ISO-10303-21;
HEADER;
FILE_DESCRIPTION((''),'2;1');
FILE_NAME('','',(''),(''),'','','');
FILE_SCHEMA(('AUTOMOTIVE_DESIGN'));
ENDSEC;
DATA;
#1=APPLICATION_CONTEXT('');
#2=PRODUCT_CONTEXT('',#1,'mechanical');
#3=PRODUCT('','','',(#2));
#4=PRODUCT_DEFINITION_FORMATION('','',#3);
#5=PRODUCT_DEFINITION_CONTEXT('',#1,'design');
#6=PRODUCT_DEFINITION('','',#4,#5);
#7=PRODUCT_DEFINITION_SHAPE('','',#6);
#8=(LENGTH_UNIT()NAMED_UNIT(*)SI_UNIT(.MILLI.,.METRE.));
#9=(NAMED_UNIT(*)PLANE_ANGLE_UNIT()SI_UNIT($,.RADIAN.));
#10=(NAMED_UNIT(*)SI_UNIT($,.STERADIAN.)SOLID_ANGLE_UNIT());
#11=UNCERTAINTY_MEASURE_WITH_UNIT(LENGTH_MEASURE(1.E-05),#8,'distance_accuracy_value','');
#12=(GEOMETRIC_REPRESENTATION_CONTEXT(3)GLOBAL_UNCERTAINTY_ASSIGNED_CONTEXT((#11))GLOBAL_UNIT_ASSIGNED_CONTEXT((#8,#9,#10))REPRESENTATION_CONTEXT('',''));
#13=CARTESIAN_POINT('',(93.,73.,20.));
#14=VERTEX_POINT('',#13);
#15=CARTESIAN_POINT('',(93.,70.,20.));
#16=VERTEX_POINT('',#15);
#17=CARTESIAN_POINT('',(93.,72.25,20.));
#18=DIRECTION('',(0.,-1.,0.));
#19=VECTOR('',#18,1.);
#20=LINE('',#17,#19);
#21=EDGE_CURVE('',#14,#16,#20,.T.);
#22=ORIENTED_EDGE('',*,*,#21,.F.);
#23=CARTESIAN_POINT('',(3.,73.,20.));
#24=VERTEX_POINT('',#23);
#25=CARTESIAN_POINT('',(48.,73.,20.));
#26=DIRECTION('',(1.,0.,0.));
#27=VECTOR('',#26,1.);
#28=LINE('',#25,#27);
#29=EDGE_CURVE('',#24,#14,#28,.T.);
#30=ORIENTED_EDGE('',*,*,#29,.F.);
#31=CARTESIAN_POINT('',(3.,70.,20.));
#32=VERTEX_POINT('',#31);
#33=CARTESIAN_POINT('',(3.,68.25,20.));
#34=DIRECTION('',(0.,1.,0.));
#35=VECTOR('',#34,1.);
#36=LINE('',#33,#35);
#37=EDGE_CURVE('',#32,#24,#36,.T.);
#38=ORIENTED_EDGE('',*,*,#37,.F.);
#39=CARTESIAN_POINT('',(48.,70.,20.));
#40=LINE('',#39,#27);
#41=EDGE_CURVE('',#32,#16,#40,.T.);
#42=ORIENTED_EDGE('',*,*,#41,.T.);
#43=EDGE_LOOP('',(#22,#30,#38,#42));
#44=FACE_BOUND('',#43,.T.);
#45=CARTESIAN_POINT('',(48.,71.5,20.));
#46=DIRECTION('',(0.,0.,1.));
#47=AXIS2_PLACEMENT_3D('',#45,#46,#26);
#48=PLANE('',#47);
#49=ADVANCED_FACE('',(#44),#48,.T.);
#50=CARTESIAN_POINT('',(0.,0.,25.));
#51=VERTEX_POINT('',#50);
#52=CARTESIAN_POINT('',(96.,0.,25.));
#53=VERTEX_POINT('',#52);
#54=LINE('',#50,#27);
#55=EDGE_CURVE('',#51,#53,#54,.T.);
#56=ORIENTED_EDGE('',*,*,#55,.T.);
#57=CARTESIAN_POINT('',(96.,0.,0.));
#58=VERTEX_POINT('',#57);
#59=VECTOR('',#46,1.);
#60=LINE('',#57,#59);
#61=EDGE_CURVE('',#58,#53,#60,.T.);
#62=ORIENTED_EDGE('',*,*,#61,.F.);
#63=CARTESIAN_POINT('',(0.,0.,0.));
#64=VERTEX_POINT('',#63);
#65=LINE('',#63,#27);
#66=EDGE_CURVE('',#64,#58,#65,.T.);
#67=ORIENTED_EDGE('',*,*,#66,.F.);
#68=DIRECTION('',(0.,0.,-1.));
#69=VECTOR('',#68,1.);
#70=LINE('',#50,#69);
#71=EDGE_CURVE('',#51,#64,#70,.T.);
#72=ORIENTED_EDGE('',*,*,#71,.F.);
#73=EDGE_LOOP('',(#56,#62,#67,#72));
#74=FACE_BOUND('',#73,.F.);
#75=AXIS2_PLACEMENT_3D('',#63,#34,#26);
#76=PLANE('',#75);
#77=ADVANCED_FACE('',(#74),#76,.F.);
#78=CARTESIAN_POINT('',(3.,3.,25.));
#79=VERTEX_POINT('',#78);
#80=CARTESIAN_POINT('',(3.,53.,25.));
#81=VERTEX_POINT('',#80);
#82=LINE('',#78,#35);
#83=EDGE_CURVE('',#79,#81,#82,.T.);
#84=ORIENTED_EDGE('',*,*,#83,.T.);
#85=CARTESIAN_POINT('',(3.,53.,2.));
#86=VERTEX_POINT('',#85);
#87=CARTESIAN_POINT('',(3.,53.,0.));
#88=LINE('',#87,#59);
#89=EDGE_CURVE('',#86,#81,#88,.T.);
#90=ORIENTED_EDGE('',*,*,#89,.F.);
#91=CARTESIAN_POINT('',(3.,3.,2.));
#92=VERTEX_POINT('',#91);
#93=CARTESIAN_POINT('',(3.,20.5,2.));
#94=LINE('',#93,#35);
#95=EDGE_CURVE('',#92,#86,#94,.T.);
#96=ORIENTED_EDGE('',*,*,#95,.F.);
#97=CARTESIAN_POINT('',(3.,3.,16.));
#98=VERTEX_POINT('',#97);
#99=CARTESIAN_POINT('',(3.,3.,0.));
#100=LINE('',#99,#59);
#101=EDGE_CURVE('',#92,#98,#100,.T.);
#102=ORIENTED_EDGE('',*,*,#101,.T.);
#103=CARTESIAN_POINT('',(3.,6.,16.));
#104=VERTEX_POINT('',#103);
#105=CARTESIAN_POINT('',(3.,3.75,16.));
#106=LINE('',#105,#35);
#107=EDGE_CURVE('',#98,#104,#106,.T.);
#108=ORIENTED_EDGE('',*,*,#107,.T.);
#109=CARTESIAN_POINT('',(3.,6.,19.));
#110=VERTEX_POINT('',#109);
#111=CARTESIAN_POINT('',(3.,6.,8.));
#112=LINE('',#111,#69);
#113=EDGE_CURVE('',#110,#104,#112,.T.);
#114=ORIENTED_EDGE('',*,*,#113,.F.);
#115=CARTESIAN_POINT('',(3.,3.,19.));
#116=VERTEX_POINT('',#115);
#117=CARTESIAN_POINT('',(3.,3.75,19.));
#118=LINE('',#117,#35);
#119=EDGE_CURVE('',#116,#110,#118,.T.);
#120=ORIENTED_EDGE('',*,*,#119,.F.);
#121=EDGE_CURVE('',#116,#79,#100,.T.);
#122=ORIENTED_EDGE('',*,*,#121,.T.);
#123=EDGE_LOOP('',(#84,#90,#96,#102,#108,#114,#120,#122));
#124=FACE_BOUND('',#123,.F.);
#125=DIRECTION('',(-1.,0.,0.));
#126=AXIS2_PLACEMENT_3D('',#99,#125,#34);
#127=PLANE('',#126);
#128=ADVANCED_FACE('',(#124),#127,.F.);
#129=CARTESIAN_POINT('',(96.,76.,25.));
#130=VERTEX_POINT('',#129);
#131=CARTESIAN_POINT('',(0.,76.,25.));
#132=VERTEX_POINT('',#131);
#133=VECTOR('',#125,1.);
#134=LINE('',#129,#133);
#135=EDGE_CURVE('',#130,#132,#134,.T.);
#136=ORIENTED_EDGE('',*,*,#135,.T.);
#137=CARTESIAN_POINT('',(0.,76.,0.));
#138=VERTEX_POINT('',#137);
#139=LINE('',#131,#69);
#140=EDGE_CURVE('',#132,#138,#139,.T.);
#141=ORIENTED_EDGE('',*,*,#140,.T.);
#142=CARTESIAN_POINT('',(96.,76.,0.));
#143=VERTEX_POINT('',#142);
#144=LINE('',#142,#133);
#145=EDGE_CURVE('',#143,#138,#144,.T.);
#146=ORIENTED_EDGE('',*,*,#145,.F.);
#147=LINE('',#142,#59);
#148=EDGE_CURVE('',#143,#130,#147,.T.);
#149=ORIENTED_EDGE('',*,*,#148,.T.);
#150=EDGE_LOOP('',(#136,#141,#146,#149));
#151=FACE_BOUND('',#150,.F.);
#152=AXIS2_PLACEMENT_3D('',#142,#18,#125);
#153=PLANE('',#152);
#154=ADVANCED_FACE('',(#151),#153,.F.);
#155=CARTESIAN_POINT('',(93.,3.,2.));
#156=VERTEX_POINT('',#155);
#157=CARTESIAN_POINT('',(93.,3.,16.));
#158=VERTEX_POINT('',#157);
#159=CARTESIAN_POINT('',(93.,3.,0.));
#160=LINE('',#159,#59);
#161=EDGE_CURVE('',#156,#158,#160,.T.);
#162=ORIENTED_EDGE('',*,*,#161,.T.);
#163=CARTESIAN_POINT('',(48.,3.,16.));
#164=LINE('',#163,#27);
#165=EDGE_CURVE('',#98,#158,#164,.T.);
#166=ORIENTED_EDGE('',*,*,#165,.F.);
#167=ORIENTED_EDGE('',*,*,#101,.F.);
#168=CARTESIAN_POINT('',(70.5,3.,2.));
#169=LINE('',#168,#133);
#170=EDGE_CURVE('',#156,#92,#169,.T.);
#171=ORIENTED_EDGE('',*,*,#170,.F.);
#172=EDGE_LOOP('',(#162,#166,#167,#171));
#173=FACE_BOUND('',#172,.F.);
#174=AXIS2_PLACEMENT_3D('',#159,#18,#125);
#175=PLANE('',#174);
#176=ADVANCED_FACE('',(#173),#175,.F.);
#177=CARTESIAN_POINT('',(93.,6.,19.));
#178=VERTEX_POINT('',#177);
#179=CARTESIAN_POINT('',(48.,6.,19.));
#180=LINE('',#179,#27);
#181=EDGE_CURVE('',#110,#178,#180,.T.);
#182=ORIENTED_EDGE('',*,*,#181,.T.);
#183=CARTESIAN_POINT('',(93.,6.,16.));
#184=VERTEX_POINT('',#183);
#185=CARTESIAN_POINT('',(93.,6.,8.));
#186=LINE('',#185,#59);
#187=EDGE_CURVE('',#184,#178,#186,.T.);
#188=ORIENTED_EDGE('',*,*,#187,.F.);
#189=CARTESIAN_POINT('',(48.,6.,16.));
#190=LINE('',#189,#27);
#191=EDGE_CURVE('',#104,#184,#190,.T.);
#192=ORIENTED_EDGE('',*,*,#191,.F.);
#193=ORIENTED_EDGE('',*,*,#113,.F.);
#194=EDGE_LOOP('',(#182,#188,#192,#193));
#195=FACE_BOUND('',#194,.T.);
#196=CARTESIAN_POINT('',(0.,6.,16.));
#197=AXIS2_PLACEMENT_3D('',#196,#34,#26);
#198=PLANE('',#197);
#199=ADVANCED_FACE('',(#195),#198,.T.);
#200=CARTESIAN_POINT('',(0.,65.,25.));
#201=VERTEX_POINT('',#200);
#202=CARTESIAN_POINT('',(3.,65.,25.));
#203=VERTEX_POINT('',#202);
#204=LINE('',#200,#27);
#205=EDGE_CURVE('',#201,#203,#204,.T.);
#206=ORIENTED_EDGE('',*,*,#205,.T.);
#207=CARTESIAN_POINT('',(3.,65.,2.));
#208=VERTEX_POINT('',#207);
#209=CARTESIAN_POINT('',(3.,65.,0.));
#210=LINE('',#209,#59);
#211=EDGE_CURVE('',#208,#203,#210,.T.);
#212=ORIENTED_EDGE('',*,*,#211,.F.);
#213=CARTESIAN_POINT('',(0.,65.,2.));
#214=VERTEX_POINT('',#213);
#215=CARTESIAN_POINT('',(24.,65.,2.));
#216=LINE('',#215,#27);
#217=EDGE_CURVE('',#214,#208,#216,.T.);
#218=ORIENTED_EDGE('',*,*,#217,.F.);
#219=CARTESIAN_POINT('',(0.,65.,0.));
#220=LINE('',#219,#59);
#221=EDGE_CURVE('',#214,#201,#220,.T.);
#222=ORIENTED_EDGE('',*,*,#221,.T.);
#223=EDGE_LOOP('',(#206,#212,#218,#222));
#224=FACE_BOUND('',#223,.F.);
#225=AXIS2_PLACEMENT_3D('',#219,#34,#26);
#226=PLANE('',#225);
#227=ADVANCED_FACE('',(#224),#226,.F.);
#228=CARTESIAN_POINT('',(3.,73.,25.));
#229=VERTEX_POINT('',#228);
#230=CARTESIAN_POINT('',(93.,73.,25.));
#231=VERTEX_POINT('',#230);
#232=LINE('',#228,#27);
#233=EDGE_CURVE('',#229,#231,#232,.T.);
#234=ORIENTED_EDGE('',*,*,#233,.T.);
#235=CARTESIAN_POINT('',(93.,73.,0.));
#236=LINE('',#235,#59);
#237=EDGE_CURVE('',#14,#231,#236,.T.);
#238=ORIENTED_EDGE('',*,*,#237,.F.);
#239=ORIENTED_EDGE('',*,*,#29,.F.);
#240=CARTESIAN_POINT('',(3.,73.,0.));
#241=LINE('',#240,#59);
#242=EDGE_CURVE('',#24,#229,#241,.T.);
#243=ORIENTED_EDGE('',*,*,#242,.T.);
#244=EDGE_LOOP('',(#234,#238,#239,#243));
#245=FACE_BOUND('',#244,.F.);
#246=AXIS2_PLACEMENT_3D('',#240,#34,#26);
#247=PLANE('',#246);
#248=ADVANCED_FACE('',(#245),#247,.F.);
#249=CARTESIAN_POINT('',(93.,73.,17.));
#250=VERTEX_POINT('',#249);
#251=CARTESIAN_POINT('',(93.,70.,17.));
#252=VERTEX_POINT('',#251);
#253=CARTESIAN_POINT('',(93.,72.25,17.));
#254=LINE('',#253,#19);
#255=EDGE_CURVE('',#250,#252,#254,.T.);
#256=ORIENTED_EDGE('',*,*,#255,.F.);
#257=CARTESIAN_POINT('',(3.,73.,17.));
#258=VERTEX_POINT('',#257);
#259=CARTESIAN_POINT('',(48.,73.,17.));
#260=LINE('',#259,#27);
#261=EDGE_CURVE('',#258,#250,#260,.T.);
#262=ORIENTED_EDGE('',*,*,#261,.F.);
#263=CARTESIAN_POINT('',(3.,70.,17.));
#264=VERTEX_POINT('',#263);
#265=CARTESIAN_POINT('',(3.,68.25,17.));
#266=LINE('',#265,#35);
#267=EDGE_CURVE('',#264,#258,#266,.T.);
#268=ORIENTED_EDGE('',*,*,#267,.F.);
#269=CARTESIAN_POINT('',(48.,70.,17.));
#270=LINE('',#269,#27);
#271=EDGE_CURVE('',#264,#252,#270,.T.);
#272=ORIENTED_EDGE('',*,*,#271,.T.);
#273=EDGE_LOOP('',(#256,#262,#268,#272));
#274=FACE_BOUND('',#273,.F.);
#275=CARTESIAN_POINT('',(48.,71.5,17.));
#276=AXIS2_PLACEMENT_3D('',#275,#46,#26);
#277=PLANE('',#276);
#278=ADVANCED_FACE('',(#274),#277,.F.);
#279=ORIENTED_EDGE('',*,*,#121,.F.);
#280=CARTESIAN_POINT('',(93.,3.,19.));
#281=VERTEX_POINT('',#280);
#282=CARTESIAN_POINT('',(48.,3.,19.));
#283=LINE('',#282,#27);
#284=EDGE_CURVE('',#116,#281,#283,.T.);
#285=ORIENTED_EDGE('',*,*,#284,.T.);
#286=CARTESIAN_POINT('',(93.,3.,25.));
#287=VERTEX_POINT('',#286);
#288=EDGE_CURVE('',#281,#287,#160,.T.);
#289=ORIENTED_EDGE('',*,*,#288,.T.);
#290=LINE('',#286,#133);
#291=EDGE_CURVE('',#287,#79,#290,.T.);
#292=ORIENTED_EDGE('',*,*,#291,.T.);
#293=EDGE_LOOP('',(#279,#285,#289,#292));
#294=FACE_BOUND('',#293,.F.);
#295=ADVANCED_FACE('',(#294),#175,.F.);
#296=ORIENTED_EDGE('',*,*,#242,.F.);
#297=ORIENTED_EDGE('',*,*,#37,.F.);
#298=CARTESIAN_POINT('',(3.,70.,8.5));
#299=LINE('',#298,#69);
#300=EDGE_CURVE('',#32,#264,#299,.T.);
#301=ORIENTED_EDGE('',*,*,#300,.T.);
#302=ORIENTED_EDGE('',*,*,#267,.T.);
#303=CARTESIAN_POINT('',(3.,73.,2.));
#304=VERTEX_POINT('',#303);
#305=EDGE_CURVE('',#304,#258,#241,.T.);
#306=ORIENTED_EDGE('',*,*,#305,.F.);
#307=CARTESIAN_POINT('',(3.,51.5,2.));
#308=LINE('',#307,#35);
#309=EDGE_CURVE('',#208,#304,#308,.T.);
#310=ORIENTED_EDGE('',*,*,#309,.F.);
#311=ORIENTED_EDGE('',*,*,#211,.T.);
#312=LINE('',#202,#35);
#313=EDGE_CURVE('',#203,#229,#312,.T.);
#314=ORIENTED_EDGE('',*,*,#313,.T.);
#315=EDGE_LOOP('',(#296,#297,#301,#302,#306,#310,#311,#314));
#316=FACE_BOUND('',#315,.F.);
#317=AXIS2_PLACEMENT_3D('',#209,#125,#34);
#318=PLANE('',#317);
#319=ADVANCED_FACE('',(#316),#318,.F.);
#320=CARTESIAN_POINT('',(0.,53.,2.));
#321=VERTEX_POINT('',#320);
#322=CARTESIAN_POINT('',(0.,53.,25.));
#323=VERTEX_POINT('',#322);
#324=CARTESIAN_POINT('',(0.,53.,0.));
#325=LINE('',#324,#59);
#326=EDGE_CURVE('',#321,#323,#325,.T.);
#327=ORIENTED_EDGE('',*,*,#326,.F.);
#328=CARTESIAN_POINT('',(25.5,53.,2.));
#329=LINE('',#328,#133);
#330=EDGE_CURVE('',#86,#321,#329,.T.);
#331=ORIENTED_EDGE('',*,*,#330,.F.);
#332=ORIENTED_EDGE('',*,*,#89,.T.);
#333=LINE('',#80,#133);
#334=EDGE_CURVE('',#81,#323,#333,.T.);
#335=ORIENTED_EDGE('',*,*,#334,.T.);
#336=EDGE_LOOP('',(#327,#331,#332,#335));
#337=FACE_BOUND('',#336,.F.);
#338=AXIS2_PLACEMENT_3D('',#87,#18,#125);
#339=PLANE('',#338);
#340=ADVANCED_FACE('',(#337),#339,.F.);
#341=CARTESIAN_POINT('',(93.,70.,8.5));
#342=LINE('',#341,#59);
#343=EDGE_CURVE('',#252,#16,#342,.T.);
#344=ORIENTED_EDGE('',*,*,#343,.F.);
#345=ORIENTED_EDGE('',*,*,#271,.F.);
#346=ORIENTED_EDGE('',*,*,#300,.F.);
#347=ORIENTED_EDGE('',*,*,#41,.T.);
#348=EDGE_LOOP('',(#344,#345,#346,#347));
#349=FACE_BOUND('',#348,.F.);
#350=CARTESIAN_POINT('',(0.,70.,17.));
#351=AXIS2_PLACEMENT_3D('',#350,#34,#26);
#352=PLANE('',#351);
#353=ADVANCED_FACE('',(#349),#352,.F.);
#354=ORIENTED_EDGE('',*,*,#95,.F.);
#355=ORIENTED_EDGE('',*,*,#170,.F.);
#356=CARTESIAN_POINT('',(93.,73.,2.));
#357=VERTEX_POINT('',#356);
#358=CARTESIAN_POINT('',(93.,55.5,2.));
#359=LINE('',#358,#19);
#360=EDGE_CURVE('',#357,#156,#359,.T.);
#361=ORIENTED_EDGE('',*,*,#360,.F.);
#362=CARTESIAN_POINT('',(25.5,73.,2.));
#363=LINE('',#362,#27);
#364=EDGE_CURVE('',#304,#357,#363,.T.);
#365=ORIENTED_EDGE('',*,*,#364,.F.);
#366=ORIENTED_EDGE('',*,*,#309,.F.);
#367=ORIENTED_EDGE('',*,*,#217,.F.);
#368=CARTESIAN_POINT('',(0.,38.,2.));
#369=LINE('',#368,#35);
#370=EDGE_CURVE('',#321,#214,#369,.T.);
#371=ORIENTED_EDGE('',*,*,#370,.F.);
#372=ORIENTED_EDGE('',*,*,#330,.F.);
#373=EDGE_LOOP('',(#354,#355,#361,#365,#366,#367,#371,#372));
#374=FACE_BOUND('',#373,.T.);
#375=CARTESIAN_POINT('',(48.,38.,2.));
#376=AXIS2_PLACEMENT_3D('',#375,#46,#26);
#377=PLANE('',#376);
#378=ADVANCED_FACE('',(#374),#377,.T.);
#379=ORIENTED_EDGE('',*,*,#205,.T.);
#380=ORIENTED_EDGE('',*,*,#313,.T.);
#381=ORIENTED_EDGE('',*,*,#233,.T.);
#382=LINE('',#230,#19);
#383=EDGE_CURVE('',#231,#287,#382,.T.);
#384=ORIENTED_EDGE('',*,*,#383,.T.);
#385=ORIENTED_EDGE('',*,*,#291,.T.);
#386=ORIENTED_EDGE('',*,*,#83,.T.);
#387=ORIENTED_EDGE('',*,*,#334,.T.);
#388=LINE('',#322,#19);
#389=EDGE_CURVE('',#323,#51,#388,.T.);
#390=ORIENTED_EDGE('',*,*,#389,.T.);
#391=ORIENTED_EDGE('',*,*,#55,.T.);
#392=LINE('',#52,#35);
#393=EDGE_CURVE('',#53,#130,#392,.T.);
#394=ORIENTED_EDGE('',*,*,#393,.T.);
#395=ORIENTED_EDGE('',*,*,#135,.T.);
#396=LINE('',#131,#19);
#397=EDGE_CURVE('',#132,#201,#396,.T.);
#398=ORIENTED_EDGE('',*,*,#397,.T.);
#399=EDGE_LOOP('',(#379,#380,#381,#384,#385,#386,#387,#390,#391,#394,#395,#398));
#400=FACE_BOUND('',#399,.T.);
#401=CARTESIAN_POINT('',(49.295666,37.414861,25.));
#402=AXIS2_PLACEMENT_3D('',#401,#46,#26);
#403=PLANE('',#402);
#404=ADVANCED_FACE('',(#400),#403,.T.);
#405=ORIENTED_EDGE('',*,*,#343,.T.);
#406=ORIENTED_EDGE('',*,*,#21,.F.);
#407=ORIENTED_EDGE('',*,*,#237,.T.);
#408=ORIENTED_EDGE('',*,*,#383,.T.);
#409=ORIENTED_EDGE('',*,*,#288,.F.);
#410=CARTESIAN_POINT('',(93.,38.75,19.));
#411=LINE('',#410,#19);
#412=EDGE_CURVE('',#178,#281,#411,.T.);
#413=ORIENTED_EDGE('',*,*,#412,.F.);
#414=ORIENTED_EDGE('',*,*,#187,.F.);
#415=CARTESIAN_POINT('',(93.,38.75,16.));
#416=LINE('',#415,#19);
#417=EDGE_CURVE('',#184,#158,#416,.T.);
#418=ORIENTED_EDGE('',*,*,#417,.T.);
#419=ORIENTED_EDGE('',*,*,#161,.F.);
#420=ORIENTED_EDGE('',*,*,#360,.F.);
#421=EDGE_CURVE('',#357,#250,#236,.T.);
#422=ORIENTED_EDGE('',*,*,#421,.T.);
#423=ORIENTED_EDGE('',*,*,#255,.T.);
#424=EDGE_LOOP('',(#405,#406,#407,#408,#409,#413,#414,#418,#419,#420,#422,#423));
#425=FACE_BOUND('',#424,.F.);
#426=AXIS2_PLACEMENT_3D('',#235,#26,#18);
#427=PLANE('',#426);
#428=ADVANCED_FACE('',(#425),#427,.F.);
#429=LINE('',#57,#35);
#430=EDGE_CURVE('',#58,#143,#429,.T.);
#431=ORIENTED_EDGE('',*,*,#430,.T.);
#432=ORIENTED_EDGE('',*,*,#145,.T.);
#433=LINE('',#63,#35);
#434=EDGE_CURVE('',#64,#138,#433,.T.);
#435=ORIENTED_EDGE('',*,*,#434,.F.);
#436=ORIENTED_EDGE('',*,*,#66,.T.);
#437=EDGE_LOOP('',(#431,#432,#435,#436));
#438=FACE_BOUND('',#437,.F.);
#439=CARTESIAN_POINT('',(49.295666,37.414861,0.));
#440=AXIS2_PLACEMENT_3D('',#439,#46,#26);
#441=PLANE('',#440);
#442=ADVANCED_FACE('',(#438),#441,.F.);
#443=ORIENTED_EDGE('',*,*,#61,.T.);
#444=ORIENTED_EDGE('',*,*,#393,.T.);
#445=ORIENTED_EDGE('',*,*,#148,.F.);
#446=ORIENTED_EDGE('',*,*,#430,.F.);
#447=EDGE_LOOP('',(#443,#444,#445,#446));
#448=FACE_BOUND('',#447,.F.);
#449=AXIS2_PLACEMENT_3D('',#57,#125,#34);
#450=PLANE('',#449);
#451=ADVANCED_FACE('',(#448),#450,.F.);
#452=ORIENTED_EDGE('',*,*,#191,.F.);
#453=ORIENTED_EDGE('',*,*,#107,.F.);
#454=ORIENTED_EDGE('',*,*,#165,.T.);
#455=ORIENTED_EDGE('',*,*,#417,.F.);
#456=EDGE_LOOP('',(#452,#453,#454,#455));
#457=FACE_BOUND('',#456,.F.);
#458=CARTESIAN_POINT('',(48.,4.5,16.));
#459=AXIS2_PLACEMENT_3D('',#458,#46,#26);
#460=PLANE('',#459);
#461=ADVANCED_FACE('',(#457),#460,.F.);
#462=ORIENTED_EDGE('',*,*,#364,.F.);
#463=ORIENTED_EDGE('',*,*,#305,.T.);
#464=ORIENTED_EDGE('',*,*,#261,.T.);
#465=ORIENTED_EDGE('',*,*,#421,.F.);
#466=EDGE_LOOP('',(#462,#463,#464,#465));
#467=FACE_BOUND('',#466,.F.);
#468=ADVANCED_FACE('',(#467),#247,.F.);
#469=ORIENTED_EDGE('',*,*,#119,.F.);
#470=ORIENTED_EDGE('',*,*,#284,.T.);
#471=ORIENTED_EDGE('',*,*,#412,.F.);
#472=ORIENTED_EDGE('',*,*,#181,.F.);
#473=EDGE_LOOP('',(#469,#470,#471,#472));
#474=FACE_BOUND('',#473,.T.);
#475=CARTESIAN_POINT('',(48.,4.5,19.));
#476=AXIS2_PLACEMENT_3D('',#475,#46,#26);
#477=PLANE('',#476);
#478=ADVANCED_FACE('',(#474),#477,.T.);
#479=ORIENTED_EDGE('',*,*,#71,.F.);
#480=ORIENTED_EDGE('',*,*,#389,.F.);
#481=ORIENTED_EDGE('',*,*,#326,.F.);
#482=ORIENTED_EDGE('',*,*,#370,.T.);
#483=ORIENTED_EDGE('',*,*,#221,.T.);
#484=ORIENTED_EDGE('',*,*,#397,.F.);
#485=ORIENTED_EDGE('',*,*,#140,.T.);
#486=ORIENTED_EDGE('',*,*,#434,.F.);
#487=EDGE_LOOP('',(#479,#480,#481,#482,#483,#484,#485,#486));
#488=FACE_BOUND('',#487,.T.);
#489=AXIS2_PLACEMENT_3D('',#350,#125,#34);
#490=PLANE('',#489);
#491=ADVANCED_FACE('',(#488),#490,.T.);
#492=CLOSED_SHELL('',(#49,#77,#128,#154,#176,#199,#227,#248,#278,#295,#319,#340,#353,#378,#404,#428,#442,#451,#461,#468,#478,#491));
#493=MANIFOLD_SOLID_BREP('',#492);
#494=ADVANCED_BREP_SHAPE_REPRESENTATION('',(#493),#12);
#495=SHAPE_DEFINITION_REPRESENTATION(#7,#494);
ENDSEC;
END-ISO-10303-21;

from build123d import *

# Parameters (mm, degrees)
PAD_DEPTH    = 25
SKETCH001_W  = 96
SKETCH001_H  = 76
PAD001_DEPTH = 2
SKETCH002_W  = 96
SKETCH002_H  = 3
PAD002_DEPTH = 3
SKETCH003_W  = 96
SKETCH003_H  = 3
PAD003_DEPTH = 3


with BuildPart() as part:
    # Sketch → Pad (new body)
    with BuildSketch(Plane.XY):
        Polygon((0, 0), (96, 0), (96, 76), (0, 76), (0, 65), (3, 65), (3, 73), (93, 73), (93, 3), (3, 3), (3, 53), (0, 53), align=None)
    extrude(amount=PAD_DEPTH)

    # Sketch001 → Pad001 (join)
    with BuildSketch(Plane.XY):
        with Locations((48, 38)):
            Rectangle(SKETCH001_W, SKETCH001_H)
    extrude(amount=PAD001_DEPTH)

    # Sketch002 → Pad002 (join)
    with BuildSketch(Plane.XY.offset(16)):
        with Locations((48, 4.5)):
            Rectangle(SKETCH002_W, SKETCH002_H)
    extrude(amount=PAD002_DEPTH)

    # Sketch003 → Pad003 (join)
    with BuildSketch(Plane.XY.offset(17)):
        with Locations((48, 71.5)):
            Rectangle(SKETCH003_W, SKETCH003_H)
    extrude(amount=PAD003_DEPTH)


solid = part.part
